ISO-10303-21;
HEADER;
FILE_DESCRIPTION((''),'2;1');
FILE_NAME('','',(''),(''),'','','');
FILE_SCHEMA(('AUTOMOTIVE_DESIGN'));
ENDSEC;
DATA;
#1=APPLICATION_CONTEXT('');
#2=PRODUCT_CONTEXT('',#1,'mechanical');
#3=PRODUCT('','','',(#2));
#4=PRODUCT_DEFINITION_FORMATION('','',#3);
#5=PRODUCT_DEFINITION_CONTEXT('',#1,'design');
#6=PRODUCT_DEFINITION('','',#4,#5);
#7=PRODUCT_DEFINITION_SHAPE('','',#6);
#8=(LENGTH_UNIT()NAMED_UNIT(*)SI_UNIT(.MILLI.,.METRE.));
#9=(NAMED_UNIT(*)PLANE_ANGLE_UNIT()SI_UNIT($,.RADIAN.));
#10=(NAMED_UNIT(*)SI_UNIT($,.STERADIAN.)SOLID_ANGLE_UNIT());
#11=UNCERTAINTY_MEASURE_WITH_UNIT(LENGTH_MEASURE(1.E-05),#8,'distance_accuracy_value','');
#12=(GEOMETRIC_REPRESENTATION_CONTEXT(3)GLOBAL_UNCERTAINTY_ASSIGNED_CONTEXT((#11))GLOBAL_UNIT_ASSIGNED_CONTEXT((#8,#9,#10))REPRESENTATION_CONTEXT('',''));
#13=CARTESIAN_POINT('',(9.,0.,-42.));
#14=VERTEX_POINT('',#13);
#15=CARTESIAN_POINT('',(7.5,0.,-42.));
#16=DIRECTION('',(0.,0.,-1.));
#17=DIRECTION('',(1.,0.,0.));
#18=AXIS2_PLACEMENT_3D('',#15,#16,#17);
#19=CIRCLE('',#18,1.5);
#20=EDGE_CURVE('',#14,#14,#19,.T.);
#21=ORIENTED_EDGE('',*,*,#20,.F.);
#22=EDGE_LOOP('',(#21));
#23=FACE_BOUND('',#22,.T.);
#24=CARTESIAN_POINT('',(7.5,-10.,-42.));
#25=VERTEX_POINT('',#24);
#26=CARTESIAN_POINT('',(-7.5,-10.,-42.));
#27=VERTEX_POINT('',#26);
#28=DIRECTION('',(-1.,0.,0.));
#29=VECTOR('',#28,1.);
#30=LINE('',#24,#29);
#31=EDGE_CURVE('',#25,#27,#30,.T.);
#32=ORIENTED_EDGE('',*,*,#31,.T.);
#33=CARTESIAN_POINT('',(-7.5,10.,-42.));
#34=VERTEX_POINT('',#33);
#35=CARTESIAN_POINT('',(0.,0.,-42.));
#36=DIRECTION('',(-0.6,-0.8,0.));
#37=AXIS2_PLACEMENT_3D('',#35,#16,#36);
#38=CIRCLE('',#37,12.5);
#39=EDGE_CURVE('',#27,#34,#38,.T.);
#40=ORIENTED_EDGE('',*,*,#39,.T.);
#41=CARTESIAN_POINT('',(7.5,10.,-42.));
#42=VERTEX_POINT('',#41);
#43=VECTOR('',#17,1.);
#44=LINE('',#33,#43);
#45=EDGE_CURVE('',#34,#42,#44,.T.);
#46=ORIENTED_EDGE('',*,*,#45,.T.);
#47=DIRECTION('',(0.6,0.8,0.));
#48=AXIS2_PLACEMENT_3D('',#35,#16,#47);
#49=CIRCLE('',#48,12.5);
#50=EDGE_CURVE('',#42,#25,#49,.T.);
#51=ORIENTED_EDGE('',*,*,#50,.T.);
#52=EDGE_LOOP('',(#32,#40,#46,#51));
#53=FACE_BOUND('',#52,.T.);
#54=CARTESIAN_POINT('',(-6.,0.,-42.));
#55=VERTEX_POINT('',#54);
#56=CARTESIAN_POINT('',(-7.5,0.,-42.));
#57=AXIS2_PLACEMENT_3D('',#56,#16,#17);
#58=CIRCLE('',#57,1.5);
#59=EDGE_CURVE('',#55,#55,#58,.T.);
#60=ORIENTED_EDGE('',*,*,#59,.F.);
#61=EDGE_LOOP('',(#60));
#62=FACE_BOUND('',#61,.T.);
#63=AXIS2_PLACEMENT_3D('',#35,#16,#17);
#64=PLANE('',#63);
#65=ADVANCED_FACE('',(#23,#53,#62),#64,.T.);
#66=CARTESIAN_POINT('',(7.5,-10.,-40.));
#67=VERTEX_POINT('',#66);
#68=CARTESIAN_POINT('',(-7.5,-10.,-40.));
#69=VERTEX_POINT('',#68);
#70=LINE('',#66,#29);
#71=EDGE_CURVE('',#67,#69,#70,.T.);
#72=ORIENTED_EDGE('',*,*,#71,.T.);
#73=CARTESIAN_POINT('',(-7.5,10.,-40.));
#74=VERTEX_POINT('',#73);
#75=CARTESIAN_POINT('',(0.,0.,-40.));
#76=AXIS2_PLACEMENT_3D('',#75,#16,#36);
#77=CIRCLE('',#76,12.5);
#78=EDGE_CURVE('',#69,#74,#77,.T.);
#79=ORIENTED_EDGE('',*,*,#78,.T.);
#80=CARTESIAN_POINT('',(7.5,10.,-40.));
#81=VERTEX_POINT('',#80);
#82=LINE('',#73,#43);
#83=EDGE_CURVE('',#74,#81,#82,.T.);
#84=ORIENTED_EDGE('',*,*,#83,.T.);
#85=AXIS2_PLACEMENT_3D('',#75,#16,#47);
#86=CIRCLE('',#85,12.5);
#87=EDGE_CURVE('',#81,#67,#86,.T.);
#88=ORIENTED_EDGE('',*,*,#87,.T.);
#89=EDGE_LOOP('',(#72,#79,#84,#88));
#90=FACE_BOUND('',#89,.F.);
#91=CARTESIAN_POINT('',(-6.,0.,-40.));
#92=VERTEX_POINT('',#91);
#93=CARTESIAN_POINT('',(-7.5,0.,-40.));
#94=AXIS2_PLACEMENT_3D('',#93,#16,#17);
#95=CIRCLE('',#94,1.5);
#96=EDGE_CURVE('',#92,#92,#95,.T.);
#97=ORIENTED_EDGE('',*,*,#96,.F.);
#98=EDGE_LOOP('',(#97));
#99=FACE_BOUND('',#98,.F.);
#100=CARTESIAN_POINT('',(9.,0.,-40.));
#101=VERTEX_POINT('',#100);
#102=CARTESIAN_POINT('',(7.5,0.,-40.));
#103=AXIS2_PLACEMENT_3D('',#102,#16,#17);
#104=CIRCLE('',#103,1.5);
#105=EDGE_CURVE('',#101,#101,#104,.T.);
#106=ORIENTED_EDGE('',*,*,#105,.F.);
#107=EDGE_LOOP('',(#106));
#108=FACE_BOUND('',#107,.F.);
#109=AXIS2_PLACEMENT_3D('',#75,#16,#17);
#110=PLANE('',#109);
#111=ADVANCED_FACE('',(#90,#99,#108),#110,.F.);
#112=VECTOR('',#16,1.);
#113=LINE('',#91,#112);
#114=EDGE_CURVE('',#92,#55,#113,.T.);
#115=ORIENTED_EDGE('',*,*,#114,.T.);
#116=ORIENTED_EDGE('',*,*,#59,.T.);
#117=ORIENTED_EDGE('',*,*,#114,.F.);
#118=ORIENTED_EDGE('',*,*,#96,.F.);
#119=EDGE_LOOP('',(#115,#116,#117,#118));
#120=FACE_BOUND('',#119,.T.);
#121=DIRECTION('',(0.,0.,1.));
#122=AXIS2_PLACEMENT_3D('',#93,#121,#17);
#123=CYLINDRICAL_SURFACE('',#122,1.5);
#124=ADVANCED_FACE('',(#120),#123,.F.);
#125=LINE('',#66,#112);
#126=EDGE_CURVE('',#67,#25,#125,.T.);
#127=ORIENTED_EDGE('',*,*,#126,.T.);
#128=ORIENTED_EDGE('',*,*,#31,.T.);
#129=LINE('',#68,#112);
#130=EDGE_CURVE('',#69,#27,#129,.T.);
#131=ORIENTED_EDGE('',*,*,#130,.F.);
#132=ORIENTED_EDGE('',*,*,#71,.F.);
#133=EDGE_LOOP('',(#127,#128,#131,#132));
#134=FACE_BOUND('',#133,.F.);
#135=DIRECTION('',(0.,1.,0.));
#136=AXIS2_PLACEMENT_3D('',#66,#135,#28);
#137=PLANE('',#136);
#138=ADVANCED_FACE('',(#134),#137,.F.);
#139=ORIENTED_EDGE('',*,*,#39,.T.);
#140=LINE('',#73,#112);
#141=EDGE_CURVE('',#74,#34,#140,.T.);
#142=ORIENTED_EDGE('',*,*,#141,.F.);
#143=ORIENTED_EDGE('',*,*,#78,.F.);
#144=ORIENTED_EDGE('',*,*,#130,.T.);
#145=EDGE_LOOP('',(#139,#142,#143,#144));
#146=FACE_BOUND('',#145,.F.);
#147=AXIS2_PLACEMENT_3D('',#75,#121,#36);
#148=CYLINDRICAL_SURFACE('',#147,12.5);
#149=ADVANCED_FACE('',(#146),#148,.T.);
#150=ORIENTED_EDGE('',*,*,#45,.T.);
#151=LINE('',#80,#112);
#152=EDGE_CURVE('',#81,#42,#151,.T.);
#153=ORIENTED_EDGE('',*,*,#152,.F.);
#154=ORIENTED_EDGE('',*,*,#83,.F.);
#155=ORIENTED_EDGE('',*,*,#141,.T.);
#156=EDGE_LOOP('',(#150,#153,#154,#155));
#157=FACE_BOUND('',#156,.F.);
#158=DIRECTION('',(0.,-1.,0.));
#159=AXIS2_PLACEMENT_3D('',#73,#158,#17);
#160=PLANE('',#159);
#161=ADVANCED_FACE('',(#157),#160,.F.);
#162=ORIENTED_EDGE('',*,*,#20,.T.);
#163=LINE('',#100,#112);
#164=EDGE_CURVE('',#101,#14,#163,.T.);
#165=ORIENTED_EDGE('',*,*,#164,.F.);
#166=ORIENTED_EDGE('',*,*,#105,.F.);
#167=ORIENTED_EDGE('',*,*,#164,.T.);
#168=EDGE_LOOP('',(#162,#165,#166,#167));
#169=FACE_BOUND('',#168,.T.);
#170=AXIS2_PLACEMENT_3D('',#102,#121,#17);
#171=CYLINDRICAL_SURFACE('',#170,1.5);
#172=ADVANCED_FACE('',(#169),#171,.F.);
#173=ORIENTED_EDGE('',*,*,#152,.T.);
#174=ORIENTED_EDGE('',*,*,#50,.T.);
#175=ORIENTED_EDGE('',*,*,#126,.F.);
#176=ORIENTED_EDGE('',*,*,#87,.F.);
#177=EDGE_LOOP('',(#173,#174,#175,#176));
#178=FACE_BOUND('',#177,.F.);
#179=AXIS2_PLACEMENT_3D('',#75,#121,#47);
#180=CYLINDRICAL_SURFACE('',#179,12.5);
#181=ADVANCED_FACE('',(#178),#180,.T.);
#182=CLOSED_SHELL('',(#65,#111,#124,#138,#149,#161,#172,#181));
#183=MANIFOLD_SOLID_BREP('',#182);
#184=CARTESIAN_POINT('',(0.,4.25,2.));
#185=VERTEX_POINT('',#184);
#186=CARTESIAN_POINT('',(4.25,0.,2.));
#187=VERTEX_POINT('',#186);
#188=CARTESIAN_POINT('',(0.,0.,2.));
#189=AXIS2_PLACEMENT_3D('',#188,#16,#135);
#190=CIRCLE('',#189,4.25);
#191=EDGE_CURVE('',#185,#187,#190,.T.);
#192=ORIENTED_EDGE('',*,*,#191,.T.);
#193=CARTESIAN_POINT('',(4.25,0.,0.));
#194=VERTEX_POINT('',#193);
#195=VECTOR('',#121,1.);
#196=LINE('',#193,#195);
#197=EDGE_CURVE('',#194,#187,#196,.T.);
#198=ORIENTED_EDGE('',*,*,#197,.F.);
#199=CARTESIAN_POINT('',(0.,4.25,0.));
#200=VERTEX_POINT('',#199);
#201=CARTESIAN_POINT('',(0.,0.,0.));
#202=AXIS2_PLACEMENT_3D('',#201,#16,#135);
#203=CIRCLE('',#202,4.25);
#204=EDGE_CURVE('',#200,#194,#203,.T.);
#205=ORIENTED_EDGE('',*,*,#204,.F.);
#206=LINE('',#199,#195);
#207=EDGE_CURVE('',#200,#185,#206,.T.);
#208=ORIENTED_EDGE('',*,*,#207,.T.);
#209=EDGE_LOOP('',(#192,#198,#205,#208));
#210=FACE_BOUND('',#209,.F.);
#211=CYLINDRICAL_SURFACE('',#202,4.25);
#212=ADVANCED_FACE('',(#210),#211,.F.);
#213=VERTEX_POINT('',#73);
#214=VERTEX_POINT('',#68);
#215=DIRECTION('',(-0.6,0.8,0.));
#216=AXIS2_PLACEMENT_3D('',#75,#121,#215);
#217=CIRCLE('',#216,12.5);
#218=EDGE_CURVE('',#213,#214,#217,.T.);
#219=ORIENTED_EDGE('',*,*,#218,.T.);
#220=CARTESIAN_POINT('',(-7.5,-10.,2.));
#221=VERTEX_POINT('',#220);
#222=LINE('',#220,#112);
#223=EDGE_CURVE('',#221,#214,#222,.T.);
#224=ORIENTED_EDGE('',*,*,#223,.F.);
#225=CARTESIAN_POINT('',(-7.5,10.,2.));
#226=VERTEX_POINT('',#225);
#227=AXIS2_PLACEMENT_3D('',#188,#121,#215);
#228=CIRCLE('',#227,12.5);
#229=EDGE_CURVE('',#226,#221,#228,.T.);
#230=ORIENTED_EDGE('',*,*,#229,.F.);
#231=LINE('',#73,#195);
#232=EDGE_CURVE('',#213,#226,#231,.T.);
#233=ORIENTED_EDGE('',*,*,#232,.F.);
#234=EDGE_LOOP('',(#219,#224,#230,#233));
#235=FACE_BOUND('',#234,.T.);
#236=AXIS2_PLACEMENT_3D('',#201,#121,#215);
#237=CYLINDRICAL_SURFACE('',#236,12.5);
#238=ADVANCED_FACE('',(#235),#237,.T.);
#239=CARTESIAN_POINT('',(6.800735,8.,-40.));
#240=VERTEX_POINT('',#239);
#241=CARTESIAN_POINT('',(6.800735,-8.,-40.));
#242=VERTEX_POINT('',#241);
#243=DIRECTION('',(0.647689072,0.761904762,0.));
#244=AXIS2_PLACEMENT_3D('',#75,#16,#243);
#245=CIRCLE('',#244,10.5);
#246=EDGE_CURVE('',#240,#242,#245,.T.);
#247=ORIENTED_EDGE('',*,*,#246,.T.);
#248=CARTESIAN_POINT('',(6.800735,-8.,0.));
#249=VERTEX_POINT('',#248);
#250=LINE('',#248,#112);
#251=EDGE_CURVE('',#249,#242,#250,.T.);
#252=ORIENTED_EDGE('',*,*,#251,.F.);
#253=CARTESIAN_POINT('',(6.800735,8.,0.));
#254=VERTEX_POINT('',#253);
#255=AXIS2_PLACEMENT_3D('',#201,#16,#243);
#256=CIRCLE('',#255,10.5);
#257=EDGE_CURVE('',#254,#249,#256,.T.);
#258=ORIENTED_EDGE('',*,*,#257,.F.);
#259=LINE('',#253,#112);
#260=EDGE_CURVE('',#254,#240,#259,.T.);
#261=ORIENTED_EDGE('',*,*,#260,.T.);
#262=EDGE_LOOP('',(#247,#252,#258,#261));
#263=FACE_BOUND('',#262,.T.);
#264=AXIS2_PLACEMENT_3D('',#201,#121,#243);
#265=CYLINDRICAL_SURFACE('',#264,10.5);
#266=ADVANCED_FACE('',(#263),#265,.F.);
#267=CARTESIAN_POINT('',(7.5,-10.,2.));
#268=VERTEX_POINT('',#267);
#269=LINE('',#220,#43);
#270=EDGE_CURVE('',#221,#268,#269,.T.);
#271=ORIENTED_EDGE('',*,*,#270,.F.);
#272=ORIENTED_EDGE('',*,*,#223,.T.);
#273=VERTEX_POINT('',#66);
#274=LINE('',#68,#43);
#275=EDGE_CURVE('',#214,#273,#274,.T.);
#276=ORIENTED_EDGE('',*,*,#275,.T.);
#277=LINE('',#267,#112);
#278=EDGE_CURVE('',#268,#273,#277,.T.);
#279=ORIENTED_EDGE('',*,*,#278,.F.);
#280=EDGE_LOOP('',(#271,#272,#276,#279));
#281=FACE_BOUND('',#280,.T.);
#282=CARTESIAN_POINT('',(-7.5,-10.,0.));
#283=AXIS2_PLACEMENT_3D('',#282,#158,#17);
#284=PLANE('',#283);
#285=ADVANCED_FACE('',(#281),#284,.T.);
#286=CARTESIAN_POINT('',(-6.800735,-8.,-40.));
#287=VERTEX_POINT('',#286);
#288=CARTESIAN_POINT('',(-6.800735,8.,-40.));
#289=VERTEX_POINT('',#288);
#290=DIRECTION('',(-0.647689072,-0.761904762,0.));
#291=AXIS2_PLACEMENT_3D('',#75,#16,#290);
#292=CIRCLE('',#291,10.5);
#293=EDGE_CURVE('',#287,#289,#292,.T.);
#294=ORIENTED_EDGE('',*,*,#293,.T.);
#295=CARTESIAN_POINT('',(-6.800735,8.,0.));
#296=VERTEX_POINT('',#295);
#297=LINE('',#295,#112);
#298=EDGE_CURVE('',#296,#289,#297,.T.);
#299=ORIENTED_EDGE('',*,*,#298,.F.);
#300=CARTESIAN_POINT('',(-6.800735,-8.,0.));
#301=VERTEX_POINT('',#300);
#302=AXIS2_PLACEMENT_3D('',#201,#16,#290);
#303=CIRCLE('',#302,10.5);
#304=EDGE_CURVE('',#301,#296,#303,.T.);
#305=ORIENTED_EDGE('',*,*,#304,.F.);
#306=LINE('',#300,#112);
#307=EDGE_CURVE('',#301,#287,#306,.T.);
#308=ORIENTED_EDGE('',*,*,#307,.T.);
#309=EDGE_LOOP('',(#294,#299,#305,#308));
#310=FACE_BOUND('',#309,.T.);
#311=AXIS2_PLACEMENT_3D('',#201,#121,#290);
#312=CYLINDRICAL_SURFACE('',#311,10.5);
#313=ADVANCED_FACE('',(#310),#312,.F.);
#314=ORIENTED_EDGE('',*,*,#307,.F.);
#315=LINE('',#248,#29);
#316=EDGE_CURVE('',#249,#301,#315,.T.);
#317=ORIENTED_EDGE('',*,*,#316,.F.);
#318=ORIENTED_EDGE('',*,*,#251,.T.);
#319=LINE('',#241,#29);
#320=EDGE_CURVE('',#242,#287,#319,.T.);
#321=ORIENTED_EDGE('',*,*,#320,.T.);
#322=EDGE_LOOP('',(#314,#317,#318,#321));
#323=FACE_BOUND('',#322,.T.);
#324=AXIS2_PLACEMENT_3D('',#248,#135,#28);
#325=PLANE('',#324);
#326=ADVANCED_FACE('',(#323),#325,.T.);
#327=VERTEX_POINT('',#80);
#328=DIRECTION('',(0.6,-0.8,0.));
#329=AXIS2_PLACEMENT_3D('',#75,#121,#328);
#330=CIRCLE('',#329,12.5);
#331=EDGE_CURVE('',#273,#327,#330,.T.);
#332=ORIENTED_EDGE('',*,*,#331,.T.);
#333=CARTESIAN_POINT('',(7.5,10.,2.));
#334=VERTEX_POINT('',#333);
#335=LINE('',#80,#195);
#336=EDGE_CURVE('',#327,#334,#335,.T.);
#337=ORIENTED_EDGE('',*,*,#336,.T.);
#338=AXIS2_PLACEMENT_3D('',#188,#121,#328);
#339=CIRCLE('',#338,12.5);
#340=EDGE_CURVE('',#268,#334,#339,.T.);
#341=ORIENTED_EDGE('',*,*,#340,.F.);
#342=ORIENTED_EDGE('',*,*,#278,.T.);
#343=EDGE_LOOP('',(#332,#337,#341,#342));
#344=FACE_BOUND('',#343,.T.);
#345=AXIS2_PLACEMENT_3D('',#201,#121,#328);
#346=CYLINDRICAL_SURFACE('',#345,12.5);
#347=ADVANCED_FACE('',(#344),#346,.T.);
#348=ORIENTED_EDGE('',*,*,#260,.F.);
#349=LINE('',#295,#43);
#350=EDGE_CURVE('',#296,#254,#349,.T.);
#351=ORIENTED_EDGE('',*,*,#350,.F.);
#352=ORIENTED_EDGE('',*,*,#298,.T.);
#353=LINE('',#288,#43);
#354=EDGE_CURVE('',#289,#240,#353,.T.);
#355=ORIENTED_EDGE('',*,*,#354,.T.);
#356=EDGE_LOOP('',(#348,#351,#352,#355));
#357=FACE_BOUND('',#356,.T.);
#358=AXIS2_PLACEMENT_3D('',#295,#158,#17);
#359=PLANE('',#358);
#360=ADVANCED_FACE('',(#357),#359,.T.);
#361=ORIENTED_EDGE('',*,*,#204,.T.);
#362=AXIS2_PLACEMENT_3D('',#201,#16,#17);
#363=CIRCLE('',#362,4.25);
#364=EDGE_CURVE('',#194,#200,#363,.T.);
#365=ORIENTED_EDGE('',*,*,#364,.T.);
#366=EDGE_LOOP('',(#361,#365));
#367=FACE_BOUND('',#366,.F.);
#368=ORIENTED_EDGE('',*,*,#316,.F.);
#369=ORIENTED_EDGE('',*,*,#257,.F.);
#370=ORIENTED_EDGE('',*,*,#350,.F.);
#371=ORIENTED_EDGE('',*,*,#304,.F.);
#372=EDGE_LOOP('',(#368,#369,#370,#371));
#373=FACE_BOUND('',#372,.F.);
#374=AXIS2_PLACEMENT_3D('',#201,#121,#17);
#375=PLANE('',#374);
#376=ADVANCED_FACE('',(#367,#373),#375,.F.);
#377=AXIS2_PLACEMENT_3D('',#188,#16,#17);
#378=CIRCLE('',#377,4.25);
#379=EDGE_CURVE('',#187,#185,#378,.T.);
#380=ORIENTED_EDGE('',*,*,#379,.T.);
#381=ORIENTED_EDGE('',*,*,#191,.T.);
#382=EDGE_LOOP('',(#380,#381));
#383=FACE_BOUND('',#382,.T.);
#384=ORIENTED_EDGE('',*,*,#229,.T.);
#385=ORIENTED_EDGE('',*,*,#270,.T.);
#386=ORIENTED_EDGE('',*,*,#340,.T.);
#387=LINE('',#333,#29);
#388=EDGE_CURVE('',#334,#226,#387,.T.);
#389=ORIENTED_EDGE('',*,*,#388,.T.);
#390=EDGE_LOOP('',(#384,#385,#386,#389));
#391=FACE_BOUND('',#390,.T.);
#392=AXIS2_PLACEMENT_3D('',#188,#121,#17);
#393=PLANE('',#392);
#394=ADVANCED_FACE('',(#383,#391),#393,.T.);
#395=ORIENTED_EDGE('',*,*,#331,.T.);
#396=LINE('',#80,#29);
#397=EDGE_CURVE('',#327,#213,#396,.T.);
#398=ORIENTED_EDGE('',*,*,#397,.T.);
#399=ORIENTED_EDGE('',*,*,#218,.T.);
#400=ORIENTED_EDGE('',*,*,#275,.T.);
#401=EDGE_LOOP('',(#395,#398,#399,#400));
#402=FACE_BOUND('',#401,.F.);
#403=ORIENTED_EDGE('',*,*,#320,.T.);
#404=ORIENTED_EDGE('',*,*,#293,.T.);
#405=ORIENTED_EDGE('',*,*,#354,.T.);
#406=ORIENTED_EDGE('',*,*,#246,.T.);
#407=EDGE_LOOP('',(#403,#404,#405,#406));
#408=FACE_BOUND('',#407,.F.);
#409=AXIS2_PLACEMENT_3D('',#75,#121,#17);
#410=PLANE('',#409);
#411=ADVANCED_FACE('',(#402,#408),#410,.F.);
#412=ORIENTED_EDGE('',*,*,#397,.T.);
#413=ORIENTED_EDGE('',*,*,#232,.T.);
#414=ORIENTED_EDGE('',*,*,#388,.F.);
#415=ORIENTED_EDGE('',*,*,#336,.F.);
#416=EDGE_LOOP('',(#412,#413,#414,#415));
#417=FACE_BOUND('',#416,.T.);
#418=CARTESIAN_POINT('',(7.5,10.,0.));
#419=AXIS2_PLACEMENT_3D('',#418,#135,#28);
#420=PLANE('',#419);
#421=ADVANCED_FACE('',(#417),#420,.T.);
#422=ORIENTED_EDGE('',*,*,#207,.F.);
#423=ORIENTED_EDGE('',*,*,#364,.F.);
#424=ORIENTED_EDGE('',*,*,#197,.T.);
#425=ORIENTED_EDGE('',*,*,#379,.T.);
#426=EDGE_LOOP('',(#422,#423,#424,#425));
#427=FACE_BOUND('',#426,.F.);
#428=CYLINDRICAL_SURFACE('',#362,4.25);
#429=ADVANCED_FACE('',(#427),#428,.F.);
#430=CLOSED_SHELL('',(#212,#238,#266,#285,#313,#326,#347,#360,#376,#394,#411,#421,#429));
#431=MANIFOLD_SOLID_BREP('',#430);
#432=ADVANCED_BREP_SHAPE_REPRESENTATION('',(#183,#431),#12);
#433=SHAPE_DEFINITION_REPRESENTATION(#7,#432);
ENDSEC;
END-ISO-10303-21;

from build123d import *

# Parameters (mm, degrees)
F1_DEPTH = 2
F2_DEPTH = 40
F3_R     = 1.5
F4_DEPTH = 2


with BuildPart() as f1:
    # F0 (on Top) → F1 (new body)
    with BuildSketch(Plane.XY):
        with BuildLine():
            ThreePointArc((7.5, -10), (12.5, 0), (7.5, 10))
            Line((7.5, 10), (-7.5, 10))
            ThreePointArc((-7.5, 10), (-12.5, 0), (-7.5, -10))
            Line((-7.5, -10), (7.5, -10))
        make_face()
        with BuildLine():
            Line((-6.8007352544, 8), (0, 8))
            Line((0, 8), (6.8007352544, 8))
            ThreePointArc((6.8007352544, 8), (10.5, 0), (6.8007352544, -8))
            Line((6.8007352544, -8), (-6.8007352544, -8))
            ThreePointArc((-6.8007352544, -8), (-10.5, 0), (-6.8007352544, 8))
        make_face(mode=Mode.SUBTRACT)
        with BuildLine():
            Line((6.8007352544, 8), (0, 8))
            Line((0, 8), (-6.8007352544, 8))
            ThreePointArc((-6.8007352544, 8), (-10.5, 0), (-6.8007352544, -8))
            Line((-6.8007352544, -8), (6.8007352544, -8))
            ThreePointArc((6.8007352544, -8), (10.5, 0), (6.8007352544, 8))
        make_face()
        with BuildLine():
            ThreePointArc((0, 4.25), (3.00520382, 3.00520382), (4.25, 0))
            ThreePointArc((4.25, 0), (-3.00520382, -3.00520382), (0, 4.25))
        make_face(mode=Mode.SUBTRACT)
    extrude(amount=F1_DEPTH)

    # F0 (on Top) → F2 (join)
    with BuildSketch(Plane.XY):
        with BuildLine():
            ThreePointArc((7.5, -10), (12.5, 0), (7.5, 10))
            Line((7.5, 10), (-7.5, 10))
            ThreePointArc((-7.5, 10), (-12.5, 0), (-7.5, -10))
            Line((-7.5, -10), (7.5, -10))
        make_face()
        with BuildLine():
            Line((-6.8007352544, 8), (0, 8))
            Line((0, 8), (6.8007352544, 8))
            ThreePointArc((6.8007352544, 8), (10.5, 0), (6.8007352544, -8))
            Line((6.8007352544, -8), (-6.8007352544, -8))
            ThreePointArc((-6.8007352544, -8), (-10.5, 0), (-6.8007352544, 8))
        make_face(mode=Mode.SUBTRACT)
    extrude(amount=-F2_DEPTH)


with BuildPart() as f4:
    # F3 (on face) → F4 (new body)
    with BuildSketch(Plane(origin=(0, 0, -40), x_dir=(1, 0, 0), z_dir=(0, 0, -1))):
        with BuildLine():
            ThreePointArc((7.5, -10), (12.5, 0), (7.5, 10))
            Line((7.5, 10), (-7.5, 10))
            ThreePointArc((-7.5, 10), (-12.5, 0), (-7.5, -10))
            Line((-7.5, -10), (7.5, -10))
        make_face()
        with BuildLine():
            ThreePointArc((6.8007352544, 8), (10.5, 0), (6.8007352544, -8))
            Line((6.8007352544, -8), (-6.8007352544, -8))
            ThreePointArc((-6.8007352544, -8), (-10.5, 0), (-6.8007352544, 8))
            Line((-6.8007352544, 8), (6.8007352544, 8))
        make_face(mode=Mode.SUBTRACT)
        with BuildLine():
            Line((-6.8007352544, -8), (6.8007352544, -8))
            ThreePointArc((6.8007352544, -8), (10.5, 0), (6.8007352544, 8))
            Line((6.8007352544, 8), (-6.8007352544, 8))
            ThreePointArc((-6.8007352544, 8), (-10.5, 0), (-6.8007352544, -8))
        make_face()
        with Locations((-7.5, 0)):
            Circle(F3_R, mode=Mode.SUBTRACT)
        with Locations((7.5, 0)):
            Circle(F3_R, mode=Mode.SUBTRACT)
    extrude(amount=F4_DEPTH)


solid = Compound([f1.part, f4.part])
